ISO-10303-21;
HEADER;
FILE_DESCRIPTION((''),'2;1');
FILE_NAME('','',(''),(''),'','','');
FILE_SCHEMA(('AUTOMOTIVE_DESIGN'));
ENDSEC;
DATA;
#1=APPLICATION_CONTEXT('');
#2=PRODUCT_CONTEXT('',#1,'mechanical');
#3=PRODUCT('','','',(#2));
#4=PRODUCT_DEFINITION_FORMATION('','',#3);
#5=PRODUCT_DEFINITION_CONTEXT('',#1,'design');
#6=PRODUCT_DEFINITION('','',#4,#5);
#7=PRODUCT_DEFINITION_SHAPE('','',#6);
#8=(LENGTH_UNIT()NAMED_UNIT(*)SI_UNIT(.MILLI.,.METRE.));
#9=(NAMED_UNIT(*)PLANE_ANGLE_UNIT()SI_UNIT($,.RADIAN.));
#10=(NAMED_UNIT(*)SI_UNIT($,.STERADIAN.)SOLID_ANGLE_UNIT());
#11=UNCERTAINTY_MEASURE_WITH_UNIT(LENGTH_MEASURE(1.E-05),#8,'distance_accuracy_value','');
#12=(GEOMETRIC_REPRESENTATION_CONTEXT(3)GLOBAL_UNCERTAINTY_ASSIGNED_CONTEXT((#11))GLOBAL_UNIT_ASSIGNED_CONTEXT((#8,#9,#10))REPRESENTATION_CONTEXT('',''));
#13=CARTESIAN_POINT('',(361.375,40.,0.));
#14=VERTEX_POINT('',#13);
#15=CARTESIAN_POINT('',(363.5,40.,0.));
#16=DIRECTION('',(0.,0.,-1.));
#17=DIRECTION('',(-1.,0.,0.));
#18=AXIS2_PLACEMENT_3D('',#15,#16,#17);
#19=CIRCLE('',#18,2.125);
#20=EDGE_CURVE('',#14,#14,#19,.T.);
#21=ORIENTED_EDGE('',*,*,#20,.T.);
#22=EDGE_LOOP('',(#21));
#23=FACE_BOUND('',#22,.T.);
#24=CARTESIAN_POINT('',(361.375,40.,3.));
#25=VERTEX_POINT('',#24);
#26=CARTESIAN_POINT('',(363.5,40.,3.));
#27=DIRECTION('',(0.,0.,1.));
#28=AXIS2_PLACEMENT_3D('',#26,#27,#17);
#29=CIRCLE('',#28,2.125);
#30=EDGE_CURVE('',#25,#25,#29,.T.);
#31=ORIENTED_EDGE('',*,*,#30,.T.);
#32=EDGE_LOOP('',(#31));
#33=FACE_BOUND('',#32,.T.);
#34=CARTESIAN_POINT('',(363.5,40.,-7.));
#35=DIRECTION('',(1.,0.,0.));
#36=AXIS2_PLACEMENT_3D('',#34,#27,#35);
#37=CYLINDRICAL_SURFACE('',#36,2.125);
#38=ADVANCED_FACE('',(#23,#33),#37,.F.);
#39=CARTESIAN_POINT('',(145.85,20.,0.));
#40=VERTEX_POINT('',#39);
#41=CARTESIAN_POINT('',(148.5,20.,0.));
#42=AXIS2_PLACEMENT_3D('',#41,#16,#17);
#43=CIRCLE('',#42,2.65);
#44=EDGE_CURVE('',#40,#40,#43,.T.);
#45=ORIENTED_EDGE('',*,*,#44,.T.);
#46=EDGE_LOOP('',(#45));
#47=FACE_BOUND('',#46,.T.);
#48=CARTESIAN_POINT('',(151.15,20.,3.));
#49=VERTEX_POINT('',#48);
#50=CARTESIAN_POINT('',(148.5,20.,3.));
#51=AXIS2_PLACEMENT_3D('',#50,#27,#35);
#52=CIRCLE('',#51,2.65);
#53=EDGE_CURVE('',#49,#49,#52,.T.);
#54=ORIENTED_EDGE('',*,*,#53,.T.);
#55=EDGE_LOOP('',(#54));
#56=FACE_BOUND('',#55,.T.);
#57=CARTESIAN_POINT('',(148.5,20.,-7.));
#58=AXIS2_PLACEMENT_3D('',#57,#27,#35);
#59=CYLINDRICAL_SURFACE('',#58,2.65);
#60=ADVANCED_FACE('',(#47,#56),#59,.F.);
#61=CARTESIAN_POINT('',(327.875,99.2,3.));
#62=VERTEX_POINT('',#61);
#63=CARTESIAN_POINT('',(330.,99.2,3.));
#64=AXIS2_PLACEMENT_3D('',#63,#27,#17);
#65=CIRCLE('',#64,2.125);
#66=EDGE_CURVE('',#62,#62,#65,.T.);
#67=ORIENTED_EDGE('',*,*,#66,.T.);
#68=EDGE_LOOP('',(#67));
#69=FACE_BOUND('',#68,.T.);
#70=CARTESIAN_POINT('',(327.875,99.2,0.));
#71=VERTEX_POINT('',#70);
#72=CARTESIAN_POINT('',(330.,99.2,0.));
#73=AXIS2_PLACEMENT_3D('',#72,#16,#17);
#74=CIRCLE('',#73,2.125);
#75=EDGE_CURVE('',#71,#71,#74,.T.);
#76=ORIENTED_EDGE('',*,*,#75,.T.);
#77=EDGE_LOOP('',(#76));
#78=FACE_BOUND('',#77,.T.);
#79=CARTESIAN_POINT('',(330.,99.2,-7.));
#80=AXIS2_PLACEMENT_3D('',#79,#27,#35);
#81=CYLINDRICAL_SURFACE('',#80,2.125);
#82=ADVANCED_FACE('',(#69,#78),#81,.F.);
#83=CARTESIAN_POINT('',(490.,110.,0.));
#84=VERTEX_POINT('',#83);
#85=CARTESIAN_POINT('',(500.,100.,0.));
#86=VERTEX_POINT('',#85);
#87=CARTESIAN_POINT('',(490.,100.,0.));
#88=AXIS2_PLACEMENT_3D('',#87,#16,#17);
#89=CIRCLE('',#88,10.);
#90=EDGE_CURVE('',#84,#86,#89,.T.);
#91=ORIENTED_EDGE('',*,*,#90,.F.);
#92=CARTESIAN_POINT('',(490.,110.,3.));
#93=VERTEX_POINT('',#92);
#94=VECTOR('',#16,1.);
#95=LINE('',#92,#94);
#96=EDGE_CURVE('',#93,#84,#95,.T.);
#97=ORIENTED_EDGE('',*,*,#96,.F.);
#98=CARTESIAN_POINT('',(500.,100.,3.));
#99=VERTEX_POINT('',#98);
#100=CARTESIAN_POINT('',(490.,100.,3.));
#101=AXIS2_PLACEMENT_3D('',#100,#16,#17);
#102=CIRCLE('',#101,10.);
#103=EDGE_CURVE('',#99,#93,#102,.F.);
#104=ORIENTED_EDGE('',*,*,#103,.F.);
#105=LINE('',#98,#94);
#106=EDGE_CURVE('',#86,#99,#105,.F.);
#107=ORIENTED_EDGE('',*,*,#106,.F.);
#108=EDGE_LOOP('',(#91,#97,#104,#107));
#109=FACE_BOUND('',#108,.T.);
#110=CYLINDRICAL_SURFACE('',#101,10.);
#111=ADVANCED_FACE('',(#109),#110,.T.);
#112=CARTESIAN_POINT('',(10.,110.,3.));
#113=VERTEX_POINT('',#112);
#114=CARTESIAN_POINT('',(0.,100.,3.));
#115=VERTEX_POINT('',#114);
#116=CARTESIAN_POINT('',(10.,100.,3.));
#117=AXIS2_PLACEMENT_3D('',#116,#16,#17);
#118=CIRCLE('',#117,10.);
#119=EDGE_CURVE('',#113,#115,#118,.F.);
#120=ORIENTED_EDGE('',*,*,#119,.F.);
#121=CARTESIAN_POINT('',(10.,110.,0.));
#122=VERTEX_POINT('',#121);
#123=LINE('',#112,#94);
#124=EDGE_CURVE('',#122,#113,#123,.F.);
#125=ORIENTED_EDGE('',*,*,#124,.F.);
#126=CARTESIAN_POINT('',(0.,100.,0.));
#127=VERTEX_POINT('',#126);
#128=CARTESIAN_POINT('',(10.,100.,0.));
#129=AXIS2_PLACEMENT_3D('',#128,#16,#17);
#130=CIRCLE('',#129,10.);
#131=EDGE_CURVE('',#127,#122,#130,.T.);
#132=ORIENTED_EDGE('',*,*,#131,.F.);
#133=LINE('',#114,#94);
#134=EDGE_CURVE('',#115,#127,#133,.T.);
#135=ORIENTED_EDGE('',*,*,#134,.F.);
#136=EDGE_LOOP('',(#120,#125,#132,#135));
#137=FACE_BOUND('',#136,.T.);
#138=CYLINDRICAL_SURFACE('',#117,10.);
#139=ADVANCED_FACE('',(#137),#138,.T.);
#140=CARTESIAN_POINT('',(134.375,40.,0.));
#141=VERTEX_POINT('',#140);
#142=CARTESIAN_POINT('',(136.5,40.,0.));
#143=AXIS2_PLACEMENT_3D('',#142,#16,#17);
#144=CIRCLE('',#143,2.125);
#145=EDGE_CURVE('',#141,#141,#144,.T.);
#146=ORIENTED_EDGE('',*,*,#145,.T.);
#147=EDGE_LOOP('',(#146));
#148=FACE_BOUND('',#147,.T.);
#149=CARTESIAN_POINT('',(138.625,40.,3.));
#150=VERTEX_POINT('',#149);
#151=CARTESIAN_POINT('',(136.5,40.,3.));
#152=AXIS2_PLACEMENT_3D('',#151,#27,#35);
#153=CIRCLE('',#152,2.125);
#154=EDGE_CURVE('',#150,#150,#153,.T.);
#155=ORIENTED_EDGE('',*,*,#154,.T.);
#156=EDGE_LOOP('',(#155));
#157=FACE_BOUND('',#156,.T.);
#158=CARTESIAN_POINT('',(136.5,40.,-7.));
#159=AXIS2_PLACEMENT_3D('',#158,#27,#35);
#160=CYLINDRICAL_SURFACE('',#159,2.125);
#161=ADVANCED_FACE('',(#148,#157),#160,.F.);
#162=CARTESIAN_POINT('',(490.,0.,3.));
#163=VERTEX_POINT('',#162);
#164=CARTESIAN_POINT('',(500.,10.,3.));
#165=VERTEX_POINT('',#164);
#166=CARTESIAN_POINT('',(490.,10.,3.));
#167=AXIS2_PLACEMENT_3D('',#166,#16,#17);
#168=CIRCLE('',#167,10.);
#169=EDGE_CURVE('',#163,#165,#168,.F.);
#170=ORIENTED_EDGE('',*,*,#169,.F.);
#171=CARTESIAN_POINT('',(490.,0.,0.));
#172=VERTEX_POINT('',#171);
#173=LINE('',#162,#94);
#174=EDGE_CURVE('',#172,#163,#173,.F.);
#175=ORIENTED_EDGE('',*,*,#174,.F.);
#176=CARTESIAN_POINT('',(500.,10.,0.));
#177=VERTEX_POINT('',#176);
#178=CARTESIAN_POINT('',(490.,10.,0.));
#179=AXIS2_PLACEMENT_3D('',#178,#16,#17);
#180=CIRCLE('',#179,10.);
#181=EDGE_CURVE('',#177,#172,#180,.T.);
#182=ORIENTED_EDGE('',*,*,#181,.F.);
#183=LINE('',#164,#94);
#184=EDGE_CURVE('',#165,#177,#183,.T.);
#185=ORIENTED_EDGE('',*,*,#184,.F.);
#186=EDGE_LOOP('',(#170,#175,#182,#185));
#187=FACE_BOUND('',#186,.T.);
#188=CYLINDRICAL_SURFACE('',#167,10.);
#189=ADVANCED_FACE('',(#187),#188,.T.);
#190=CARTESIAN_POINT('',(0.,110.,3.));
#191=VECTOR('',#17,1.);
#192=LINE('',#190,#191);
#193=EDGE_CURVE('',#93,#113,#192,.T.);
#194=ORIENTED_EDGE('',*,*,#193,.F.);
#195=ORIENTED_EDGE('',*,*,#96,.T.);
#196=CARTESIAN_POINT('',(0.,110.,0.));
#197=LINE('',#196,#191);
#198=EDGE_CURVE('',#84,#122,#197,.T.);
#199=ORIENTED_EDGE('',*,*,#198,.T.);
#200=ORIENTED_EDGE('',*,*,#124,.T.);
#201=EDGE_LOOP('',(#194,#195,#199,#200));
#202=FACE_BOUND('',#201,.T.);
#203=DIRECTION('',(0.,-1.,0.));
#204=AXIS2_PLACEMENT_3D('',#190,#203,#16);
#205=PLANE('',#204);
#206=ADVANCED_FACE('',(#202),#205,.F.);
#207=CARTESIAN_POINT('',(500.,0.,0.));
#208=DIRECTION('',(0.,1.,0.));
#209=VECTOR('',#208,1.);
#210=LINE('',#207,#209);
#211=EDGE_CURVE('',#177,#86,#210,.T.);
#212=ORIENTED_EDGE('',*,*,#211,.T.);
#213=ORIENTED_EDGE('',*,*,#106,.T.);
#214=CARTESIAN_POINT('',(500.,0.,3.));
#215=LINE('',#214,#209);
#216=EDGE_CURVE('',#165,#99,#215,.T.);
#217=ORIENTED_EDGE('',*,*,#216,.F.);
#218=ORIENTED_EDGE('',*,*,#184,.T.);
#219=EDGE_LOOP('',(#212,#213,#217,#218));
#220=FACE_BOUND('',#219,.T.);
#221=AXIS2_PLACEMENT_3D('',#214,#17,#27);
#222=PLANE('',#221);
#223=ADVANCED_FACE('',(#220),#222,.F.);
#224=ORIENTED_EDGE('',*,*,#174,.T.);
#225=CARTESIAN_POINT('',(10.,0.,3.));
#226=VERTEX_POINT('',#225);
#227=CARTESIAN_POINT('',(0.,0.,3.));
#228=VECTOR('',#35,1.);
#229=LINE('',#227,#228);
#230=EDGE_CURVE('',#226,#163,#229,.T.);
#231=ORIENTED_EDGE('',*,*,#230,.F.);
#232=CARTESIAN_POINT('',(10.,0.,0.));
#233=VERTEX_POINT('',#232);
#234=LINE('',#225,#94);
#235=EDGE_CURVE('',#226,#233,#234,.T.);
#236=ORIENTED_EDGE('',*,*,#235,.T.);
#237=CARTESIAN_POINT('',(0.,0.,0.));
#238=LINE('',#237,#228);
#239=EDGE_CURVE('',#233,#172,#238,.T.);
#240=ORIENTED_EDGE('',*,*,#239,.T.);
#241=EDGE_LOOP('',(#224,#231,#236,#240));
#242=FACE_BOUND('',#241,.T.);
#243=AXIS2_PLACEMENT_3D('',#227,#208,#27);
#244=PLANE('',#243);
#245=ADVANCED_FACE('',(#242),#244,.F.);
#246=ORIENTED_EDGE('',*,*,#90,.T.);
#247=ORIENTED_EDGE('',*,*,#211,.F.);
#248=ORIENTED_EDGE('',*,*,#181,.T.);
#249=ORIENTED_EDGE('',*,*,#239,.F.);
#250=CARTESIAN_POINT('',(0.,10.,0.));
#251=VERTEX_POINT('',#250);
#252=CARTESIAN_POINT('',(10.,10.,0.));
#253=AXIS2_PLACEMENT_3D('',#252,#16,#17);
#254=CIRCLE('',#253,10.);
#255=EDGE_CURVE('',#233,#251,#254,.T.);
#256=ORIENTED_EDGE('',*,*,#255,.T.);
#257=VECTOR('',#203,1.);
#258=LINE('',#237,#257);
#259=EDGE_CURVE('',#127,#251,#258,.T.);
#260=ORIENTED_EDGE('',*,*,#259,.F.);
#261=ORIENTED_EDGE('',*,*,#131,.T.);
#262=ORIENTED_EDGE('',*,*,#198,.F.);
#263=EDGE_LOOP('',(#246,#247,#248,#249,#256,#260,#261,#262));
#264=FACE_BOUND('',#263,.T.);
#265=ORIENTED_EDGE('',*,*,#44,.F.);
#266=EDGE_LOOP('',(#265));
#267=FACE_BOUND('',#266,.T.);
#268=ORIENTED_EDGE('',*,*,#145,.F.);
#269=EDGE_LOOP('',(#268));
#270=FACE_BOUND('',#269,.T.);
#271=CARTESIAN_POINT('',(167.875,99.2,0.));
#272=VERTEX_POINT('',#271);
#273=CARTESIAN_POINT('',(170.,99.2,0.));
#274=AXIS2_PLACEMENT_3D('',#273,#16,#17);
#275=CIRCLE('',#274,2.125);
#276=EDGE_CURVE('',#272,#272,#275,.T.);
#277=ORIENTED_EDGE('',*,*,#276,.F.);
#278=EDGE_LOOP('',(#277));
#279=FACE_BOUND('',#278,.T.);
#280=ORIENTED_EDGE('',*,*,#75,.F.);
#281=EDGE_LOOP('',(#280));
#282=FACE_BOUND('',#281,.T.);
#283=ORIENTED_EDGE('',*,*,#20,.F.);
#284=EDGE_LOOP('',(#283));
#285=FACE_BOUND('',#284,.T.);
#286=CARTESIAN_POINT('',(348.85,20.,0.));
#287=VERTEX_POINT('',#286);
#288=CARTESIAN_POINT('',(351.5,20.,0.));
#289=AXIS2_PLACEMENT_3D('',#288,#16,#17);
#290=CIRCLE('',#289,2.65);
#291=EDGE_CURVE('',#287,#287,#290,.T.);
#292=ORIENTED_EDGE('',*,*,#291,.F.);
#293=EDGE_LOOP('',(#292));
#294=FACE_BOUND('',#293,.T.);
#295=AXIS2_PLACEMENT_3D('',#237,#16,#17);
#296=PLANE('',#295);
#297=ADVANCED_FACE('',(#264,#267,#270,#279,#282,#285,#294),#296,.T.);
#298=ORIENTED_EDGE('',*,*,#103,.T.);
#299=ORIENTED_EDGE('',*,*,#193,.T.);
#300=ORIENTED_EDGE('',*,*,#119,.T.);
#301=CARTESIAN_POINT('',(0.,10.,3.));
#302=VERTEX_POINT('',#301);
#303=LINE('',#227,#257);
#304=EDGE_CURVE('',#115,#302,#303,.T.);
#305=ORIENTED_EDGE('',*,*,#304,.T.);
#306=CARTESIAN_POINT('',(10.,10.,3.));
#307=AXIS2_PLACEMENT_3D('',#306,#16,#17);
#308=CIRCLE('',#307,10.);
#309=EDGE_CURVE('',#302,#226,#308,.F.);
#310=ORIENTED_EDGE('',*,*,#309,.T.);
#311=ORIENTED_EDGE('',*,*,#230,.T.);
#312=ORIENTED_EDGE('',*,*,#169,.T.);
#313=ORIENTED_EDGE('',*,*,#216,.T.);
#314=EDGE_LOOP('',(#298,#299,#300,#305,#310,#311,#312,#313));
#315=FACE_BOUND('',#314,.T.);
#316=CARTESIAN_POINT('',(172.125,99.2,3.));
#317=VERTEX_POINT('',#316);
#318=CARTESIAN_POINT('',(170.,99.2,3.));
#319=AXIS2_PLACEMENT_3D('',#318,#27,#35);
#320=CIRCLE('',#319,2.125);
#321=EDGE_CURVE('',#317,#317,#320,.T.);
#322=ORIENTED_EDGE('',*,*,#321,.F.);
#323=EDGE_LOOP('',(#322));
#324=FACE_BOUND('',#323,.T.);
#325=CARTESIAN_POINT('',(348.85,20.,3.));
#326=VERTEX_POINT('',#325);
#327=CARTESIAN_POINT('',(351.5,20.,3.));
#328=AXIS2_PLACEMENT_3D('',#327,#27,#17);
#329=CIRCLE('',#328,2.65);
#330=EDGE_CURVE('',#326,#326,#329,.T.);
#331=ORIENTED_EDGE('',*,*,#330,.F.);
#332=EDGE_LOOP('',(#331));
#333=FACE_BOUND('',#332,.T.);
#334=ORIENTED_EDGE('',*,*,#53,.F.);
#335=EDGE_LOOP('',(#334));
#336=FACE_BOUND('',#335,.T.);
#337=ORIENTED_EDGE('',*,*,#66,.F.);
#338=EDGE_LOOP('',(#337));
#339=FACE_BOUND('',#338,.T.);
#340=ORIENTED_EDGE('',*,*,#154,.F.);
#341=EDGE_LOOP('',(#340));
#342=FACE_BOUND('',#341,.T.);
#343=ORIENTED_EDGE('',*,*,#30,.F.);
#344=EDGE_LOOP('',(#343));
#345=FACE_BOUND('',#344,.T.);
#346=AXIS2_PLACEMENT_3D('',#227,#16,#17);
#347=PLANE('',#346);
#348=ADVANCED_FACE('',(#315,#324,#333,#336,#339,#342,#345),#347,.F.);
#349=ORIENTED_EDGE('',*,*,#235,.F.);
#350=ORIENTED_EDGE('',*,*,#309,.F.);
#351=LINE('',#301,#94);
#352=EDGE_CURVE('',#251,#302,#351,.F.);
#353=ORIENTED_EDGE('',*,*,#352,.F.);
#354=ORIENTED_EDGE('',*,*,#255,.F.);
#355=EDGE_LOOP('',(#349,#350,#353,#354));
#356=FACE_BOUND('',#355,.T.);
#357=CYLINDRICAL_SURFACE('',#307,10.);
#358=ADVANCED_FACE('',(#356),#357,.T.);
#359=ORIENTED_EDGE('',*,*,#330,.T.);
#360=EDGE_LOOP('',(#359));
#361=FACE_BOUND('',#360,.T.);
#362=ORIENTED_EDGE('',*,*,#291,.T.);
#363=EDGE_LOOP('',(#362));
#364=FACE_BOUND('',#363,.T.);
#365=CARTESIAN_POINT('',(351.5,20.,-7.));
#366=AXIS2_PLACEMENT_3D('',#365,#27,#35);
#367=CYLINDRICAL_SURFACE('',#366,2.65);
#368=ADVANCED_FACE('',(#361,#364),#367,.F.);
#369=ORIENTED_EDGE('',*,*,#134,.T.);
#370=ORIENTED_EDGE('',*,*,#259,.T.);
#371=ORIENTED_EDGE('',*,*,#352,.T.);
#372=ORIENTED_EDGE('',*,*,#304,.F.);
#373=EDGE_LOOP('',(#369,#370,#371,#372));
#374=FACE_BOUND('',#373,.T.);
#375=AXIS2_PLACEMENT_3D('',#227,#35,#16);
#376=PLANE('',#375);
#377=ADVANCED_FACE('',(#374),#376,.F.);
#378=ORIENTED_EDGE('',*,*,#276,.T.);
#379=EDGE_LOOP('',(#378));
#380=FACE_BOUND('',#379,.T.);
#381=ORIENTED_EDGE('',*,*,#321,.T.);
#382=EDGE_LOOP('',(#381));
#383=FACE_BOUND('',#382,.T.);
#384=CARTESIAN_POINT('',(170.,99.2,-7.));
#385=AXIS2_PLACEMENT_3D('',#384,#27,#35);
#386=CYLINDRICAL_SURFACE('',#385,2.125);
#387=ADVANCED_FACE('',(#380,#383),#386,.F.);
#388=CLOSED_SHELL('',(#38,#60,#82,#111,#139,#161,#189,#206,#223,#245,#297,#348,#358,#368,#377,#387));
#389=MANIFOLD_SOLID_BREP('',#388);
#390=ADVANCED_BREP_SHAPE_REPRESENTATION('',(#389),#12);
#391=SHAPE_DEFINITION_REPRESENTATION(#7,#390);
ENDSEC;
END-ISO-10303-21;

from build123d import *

# Parameters (mm, degrees)
SKETCH1_W           = 500
SKETCH1_H           = 110
BOSS_EXTRUDE1_DEPTH = 3
SKETCH2_R           = 2.65
SKETCH2_R_2         = 2.125
CUT_EXTRUDE1_DEPTH  = 10
SKETCH3_R           = 2.125
CUT_EXTRUDE2_DEPTH  = 10
FILLET1_R           = 10


with BuildPart() as part:
    # Sketch1 → Boss-Extrude1 (new body)
    with BuildSketch(Plane.XY):
        with Locations((250, 55)):
            Rectangle(SKETCH1_W, SKETCH1_H)
    extrude(amount=BOSS_EXTRUDE1_DEPTH)

    # Sketch2 → Cut-Extrude1 (cut)
    with BuildSketch(Plane.XY.offset(3)):
        with Locations((148.5, 20)):
            Circle(SKETCH2_R)
        with Locations((136.5, 40)):
            Circle(SKETCH2_R_2)
        with Locations(Location((363.5, 40, 0), (0, 0, 180))):
            Circle(SKETCH2_R_2)
        with Locations(Location((351.5, 20, 0), (0, 0, 180))):
            Circle(SKETCH2_R)
    extrude(amount=-CUT_EXTRUDE1_DEPTH, mode=Mode.SUBTRACT)

    # Sketch3 → Cut-Extrude2 (cut)
    with BuildSketch(Plane.XY.offset(3)):
        with Locations((170, 99.2)):
            Circle(SKETCH3_R)
        with Locations(Location((330, 99.2, 0), (0, 0, 180))):
            Circle(SKETCH3_R)
    extrude(amount=-CUT_EXTRUDE2_DEPTH, mode=Mode.SUBTRACT)

    # Fillet1
    fillet1_edges = [part.edges().sort_by_distance(p)[0] for p in [
        (0, 110, 1.5),
        (500, 110, 1.5),
        (500, 0, 1.5),
        (0, 0, 1.5),
    ]]
    fillet(fillet1_edges, radius=FILLET1_R)


solid = part.part
